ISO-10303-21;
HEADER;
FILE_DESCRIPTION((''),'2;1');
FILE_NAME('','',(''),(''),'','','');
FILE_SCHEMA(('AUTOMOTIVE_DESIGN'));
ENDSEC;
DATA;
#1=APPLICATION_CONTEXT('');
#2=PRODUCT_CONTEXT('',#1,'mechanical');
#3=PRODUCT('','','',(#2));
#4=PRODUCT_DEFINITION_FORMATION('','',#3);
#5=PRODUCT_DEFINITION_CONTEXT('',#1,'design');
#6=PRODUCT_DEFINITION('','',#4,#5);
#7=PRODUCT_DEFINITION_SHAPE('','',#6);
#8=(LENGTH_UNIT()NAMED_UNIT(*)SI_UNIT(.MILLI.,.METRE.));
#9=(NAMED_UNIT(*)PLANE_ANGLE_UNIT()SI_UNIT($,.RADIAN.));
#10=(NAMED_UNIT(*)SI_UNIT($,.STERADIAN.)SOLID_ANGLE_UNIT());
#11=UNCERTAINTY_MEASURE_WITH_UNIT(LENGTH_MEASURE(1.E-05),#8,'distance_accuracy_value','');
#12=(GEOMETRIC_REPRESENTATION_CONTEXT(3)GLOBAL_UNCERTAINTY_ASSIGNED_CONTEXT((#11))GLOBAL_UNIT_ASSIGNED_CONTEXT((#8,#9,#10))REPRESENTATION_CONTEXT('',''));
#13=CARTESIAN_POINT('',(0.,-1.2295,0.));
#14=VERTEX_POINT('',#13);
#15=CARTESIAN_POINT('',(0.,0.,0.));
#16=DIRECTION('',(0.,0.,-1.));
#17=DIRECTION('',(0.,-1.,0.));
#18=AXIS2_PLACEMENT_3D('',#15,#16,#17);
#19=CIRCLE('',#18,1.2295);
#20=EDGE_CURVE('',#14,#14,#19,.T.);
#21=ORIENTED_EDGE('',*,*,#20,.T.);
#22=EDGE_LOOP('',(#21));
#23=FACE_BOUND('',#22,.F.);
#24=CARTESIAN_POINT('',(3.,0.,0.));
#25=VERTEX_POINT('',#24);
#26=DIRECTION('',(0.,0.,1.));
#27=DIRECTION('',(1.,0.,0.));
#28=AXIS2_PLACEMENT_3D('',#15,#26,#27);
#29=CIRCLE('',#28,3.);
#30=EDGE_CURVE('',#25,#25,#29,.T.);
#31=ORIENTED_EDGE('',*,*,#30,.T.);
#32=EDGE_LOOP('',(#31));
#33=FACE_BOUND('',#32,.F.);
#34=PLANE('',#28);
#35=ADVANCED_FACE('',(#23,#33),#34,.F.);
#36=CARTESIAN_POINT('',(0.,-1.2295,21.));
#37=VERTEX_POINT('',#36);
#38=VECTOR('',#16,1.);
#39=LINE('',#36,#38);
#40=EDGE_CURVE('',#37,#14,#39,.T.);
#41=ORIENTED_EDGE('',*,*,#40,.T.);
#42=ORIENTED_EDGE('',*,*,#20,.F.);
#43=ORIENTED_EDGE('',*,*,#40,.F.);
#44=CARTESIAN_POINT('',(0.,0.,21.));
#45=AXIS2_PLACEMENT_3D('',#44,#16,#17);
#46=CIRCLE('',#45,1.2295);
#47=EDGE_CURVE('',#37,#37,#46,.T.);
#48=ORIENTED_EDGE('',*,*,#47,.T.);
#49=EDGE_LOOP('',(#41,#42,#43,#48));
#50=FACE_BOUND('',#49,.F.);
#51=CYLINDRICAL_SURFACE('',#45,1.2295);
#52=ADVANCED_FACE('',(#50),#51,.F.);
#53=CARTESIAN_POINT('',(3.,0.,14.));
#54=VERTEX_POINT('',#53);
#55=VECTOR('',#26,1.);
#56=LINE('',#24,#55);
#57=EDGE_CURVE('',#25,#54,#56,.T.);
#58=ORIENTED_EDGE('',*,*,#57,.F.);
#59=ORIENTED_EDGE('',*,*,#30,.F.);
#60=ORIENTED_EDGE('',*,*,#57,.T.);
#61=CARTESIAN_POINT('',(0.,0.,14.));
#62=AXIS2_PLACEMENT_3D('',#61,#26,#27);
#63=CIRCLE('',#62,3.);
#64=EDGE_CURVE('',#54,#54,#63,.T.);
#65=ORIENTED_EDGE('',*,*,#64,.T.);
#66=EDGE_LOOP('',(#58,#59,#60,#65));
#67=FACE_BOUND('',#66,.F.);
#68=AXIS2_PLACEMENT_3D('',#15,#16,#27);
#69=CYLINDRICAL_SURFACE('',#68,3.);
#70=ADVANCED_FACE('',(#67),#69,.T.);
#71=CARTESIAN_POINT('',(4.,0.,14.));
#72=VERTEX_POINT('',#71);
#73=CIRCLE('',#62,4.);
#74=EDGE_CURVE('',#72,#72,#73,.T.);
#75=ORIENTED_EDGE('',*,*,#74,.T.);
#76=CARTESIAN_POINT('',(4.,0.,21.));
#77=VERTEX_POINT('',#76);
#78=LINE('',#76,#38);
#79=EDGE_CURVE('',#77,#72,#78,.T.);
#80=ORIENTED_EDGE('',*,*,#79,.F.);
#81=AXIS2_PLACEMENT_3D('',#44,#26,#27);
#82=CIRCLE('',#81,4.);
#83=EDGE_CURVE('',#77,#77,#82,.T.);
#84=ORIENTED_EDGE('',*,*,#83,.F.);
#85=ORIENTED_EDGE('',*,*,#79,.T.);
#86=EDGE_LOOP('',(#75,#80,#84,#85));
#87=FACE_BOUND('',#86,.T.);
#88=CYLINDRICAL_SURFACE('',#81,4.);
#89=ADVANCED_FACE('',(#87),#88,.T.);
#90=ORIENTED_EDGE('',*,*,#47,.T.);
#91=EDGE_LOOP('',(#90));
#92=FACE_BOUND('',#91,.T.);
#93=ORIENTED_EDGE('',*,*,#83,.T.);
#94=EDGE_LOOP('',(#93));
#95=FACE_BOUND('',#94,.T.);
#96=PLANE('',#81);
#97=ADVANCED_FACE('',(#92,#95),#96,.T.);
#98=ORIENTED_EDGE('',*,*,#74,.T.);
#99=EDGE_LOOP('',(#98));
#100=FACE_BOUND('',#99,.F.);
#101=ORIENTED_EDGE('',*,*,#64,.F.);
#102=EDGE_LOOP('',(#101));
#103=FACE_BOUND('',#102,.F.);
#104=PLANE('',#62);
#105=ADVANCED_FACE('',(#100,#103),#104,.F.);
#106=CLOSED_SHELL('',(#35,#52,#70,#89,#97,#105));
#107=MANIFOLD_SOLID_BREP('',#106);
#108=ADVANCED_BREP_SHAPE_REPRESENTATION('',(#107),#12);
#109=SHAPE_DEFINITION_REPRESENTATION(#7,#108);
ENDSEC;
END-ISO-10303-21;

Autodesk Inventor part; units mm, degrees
ref_plane "YZ Plane" through (0, 0, 0) normal (1, 0, 0) x (0, 1, 0)
ref_plane "XZ Plane" through (0, 0, 0) normal (0, 1, 0) x (-1, 0, 0)
ref_plane "XY Plane" through (0, 0, 0) normal (0, 0, 1) x (1, 0, 0)
sketch "Skizze1" plane through (0, 0, 0) normal (0, 0, 1) x (1, 0, 0)
  circle A0 centre (0, 0) radius 3
  dimension "d0" = 6
extrude "Extrusion1" add sketch "Skizze1" along normal blind 21
hole "Bohrung1" at (0, 0, 21) direction (0, 0, -1) diameter 2.459 end through all thread size "M3x0.5" class "6H" standard "ISO Metric profile"
sketch "Skizze2" plane through (0, 0, 21) normal (0, 0, 1) x (1, 0, 0)
  circle A0 centre (0, 0) radius 3 projected
  circle A1 centre (0, 0) radius 4
  dimension "d12" = 8
extrude "Extrusion2" add sketch "Skizze2" against normal blind 7
properties part number "13_0204_043"
